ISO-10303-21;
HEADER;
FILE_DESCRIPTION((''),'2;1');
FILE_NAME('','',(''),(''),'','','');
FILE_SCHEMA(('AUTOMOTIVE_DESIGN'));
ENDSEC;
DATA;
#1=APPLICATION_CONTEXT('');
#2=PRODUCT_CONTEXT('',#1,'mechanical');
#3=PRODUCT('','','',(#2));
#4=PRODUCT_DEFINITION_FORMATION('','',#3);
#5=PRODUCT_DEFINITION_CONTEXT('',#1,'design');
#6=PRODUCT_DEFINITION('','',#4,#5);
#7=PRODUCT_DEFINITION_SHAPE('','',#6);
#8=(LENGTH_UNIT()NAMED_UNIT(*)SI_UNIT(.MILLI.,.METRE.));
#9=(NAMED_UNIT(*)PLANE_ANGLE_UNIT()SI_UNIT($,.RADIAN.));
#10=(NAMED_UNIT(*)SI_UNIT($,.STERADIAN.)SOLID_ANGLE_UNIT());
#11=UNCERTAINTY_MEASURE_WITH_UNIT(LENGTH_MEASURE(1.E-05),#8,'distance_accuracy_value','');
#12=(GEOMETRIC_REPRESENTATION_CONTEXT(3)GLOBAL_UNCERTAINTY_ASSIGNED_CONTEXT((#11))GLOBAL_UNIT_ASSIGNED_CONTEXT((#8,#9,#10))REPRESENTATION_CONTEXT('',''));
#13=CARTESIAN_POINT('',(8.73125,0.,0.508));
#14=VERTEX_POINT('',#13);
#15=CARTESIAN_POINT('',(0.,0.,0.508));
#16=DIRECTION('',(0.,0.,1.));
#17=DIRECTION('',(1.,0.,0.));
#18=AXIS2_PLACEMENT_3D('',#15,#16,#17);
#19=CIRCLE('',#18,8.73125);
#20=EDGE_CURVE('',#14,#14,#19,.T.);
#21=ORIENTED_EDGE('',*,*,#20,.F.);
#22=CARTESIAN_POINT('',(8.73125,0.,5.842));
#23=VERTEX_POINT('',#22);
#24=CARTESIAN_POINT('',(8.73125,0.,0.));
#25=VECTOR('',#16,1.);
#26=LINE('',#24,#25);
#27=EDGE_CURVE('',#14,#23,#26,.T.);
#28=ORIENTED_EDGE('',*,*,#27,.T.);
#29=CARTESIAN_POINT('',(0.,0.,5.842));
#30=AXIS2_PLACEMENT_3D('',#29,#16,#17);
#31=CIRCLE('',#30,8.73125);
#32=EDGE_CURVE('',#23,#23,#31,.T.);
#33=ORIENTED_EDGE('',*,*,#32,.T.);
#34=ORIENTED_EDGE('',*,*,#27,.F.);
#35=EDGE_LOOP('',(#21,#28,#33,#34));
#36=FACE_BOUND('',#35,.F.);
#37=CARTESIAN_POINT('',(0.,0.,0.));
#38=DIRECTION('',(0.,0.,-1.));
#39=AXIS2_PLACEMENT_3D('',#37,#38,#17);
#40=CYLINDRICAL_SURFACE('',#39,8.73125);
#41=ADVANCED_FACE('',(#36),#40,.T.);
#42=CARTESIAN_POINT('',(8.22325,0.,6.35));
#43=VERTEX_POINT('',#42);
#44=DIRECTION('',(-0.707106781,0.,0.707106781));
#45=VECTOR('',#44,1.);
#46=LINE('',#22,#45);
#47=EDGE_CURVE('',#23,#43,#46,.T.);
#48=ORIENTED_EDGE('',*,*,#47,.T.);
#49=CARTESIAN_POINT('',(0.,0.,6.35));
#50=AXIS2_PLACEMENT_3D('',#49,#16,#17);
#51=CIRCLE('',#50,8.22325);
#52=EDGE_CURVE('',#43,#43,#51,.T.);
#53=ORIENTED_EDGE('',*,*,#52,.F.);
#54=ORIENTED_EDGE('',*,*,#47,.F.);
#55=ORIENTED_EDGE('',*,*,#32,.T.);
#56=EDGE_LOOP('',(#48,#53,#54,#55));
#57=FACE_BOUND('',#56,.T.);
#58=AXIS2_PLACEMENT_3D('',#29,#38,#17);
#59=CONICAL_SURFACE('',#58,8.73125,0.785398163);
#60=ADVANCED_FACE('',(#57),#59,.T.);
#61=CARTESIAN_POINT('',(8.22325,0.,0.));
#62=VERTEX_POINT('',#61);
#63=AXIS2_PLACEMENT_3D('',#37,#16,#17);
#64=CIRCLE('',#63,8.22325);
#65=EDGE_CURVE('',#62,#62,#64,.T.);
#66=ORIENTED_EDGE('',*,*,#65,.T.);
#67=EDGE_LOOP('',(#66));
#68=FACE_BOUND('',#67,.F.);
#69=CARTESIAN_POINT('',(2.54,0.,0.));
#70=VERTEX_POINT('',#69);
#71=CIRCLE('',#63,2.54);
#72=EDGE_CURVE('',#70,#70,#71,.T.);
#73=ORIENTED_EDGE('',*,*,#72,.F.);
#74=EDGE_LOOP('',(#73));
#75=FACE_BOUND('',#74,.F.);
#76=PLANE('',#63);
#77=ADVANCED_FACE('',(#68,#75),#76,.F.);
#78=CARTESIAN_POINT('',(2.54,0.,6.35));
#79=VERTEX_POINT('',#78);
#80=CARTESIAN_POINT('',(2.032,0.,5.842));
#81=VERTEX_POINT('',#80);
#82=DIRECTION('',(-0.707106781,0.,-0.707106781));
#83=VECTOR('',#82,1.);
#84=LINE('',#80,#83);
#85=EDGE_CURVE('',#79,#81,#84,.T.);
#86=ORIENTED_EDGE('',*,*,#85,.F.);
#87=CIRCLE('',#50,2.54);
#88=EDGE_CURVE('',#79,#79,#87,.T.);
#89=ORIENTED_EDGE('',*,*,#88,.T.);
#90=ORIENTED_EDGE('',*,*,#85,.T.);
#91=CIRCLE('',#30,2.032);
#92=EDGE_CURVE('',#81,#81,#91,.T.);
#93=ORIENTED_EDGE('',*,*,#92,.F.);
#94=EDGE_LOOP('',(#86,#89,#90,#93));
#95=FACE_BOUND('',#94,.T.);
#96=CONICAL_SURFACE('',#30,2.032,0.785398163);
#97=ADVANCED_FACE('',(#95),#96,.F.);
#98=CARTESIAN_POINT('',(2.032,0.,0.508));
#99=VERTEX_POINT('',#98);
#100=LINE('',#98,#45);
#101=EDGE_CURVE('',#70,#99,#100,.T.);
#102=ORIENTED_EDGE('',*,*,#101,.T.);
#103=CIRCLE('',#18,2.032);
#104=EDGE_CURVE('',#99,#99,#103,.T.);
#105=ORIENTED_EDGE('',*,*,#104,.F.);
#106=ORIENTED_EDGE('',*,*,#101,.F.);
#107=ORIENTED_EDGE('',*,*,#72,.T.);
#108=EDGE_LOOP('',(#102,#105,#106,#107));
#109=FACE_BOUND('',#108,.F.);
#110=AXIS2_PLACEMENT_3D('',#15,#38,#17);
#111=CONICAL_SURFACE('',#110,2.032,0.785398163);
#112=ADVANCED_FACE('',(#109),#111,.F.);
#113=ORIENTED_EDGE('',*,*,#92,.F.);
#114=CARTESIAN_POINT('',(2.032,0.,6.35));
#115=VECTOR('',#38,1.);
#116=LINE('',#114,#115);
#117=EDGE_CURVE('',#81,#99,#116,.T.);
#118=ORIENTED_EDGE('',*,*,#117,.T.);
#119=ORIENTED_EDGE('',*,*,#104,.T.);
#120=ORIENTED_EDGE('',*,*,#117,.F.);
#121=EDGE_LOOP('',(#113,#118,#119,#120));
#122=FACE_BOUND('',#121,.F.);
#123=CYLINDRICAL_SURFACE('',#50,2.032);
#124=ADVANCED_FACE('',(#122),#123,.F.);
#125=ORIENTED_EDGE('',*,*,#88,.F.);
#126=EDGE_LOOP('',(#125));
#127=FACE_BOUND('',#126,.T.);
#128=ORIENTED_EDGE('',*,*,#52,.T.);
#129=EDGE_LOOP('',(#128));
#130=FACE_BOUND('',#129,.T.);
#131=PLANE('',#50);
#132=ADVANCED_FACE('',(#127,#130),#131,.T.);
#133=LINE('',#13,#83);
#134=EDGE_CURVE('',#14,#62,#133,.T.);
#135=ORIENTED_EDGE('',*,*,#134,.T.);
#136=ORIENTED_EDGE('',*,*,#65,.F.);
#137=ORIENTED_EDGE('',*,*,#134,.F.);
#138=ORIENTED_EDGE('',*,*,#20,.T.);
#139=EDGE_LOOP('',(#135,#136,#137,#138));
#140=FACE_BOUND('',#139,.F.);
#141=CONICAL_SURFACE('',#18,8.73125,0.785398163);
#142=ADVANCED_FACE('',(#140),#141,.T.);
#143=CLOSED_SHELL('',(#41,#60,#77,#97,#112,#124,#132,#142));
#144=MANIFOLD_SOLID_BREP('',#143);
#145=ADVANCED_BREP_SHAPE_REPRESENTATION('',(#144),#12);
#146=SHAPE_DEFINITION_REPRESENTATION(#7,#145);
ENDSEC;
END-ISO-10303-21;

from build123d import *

# Parameters (mm, degrees)
F0_R     = 8.73125
F1_DEPTH = 6.35
F2_R     = 2.032
F3_DEPTH = 25.4
F4_SIZE  = 0.508


with BuildPart() as f1:
    # F0 (on Top) → F1 (new body)
    with BuildSketch(Plane.XY):
        Circle(F0_R)
    extrude(amount=F1_DEPTH)

    # F2 (on face) → F3 (cut)
    with BuildSketch(Plane.XY.offset(6.35)):
        Circle(F2_R)
    extrude(amount=-F3_DEPTH, mode=Mode.SUBTRACT)

    # F4
    f4_edges = [f1.edges().sort_by_distance(p)[0] for p in [
        (-8.73125, 0, 0),
        (-8.73125, 0, 6.35),
        (-2.032, 0, 6.35),
        (-2.032, 0, 0),
    ]]
    chamfer(f4_edges, length=F4_SIZE)


solid = f1.part
